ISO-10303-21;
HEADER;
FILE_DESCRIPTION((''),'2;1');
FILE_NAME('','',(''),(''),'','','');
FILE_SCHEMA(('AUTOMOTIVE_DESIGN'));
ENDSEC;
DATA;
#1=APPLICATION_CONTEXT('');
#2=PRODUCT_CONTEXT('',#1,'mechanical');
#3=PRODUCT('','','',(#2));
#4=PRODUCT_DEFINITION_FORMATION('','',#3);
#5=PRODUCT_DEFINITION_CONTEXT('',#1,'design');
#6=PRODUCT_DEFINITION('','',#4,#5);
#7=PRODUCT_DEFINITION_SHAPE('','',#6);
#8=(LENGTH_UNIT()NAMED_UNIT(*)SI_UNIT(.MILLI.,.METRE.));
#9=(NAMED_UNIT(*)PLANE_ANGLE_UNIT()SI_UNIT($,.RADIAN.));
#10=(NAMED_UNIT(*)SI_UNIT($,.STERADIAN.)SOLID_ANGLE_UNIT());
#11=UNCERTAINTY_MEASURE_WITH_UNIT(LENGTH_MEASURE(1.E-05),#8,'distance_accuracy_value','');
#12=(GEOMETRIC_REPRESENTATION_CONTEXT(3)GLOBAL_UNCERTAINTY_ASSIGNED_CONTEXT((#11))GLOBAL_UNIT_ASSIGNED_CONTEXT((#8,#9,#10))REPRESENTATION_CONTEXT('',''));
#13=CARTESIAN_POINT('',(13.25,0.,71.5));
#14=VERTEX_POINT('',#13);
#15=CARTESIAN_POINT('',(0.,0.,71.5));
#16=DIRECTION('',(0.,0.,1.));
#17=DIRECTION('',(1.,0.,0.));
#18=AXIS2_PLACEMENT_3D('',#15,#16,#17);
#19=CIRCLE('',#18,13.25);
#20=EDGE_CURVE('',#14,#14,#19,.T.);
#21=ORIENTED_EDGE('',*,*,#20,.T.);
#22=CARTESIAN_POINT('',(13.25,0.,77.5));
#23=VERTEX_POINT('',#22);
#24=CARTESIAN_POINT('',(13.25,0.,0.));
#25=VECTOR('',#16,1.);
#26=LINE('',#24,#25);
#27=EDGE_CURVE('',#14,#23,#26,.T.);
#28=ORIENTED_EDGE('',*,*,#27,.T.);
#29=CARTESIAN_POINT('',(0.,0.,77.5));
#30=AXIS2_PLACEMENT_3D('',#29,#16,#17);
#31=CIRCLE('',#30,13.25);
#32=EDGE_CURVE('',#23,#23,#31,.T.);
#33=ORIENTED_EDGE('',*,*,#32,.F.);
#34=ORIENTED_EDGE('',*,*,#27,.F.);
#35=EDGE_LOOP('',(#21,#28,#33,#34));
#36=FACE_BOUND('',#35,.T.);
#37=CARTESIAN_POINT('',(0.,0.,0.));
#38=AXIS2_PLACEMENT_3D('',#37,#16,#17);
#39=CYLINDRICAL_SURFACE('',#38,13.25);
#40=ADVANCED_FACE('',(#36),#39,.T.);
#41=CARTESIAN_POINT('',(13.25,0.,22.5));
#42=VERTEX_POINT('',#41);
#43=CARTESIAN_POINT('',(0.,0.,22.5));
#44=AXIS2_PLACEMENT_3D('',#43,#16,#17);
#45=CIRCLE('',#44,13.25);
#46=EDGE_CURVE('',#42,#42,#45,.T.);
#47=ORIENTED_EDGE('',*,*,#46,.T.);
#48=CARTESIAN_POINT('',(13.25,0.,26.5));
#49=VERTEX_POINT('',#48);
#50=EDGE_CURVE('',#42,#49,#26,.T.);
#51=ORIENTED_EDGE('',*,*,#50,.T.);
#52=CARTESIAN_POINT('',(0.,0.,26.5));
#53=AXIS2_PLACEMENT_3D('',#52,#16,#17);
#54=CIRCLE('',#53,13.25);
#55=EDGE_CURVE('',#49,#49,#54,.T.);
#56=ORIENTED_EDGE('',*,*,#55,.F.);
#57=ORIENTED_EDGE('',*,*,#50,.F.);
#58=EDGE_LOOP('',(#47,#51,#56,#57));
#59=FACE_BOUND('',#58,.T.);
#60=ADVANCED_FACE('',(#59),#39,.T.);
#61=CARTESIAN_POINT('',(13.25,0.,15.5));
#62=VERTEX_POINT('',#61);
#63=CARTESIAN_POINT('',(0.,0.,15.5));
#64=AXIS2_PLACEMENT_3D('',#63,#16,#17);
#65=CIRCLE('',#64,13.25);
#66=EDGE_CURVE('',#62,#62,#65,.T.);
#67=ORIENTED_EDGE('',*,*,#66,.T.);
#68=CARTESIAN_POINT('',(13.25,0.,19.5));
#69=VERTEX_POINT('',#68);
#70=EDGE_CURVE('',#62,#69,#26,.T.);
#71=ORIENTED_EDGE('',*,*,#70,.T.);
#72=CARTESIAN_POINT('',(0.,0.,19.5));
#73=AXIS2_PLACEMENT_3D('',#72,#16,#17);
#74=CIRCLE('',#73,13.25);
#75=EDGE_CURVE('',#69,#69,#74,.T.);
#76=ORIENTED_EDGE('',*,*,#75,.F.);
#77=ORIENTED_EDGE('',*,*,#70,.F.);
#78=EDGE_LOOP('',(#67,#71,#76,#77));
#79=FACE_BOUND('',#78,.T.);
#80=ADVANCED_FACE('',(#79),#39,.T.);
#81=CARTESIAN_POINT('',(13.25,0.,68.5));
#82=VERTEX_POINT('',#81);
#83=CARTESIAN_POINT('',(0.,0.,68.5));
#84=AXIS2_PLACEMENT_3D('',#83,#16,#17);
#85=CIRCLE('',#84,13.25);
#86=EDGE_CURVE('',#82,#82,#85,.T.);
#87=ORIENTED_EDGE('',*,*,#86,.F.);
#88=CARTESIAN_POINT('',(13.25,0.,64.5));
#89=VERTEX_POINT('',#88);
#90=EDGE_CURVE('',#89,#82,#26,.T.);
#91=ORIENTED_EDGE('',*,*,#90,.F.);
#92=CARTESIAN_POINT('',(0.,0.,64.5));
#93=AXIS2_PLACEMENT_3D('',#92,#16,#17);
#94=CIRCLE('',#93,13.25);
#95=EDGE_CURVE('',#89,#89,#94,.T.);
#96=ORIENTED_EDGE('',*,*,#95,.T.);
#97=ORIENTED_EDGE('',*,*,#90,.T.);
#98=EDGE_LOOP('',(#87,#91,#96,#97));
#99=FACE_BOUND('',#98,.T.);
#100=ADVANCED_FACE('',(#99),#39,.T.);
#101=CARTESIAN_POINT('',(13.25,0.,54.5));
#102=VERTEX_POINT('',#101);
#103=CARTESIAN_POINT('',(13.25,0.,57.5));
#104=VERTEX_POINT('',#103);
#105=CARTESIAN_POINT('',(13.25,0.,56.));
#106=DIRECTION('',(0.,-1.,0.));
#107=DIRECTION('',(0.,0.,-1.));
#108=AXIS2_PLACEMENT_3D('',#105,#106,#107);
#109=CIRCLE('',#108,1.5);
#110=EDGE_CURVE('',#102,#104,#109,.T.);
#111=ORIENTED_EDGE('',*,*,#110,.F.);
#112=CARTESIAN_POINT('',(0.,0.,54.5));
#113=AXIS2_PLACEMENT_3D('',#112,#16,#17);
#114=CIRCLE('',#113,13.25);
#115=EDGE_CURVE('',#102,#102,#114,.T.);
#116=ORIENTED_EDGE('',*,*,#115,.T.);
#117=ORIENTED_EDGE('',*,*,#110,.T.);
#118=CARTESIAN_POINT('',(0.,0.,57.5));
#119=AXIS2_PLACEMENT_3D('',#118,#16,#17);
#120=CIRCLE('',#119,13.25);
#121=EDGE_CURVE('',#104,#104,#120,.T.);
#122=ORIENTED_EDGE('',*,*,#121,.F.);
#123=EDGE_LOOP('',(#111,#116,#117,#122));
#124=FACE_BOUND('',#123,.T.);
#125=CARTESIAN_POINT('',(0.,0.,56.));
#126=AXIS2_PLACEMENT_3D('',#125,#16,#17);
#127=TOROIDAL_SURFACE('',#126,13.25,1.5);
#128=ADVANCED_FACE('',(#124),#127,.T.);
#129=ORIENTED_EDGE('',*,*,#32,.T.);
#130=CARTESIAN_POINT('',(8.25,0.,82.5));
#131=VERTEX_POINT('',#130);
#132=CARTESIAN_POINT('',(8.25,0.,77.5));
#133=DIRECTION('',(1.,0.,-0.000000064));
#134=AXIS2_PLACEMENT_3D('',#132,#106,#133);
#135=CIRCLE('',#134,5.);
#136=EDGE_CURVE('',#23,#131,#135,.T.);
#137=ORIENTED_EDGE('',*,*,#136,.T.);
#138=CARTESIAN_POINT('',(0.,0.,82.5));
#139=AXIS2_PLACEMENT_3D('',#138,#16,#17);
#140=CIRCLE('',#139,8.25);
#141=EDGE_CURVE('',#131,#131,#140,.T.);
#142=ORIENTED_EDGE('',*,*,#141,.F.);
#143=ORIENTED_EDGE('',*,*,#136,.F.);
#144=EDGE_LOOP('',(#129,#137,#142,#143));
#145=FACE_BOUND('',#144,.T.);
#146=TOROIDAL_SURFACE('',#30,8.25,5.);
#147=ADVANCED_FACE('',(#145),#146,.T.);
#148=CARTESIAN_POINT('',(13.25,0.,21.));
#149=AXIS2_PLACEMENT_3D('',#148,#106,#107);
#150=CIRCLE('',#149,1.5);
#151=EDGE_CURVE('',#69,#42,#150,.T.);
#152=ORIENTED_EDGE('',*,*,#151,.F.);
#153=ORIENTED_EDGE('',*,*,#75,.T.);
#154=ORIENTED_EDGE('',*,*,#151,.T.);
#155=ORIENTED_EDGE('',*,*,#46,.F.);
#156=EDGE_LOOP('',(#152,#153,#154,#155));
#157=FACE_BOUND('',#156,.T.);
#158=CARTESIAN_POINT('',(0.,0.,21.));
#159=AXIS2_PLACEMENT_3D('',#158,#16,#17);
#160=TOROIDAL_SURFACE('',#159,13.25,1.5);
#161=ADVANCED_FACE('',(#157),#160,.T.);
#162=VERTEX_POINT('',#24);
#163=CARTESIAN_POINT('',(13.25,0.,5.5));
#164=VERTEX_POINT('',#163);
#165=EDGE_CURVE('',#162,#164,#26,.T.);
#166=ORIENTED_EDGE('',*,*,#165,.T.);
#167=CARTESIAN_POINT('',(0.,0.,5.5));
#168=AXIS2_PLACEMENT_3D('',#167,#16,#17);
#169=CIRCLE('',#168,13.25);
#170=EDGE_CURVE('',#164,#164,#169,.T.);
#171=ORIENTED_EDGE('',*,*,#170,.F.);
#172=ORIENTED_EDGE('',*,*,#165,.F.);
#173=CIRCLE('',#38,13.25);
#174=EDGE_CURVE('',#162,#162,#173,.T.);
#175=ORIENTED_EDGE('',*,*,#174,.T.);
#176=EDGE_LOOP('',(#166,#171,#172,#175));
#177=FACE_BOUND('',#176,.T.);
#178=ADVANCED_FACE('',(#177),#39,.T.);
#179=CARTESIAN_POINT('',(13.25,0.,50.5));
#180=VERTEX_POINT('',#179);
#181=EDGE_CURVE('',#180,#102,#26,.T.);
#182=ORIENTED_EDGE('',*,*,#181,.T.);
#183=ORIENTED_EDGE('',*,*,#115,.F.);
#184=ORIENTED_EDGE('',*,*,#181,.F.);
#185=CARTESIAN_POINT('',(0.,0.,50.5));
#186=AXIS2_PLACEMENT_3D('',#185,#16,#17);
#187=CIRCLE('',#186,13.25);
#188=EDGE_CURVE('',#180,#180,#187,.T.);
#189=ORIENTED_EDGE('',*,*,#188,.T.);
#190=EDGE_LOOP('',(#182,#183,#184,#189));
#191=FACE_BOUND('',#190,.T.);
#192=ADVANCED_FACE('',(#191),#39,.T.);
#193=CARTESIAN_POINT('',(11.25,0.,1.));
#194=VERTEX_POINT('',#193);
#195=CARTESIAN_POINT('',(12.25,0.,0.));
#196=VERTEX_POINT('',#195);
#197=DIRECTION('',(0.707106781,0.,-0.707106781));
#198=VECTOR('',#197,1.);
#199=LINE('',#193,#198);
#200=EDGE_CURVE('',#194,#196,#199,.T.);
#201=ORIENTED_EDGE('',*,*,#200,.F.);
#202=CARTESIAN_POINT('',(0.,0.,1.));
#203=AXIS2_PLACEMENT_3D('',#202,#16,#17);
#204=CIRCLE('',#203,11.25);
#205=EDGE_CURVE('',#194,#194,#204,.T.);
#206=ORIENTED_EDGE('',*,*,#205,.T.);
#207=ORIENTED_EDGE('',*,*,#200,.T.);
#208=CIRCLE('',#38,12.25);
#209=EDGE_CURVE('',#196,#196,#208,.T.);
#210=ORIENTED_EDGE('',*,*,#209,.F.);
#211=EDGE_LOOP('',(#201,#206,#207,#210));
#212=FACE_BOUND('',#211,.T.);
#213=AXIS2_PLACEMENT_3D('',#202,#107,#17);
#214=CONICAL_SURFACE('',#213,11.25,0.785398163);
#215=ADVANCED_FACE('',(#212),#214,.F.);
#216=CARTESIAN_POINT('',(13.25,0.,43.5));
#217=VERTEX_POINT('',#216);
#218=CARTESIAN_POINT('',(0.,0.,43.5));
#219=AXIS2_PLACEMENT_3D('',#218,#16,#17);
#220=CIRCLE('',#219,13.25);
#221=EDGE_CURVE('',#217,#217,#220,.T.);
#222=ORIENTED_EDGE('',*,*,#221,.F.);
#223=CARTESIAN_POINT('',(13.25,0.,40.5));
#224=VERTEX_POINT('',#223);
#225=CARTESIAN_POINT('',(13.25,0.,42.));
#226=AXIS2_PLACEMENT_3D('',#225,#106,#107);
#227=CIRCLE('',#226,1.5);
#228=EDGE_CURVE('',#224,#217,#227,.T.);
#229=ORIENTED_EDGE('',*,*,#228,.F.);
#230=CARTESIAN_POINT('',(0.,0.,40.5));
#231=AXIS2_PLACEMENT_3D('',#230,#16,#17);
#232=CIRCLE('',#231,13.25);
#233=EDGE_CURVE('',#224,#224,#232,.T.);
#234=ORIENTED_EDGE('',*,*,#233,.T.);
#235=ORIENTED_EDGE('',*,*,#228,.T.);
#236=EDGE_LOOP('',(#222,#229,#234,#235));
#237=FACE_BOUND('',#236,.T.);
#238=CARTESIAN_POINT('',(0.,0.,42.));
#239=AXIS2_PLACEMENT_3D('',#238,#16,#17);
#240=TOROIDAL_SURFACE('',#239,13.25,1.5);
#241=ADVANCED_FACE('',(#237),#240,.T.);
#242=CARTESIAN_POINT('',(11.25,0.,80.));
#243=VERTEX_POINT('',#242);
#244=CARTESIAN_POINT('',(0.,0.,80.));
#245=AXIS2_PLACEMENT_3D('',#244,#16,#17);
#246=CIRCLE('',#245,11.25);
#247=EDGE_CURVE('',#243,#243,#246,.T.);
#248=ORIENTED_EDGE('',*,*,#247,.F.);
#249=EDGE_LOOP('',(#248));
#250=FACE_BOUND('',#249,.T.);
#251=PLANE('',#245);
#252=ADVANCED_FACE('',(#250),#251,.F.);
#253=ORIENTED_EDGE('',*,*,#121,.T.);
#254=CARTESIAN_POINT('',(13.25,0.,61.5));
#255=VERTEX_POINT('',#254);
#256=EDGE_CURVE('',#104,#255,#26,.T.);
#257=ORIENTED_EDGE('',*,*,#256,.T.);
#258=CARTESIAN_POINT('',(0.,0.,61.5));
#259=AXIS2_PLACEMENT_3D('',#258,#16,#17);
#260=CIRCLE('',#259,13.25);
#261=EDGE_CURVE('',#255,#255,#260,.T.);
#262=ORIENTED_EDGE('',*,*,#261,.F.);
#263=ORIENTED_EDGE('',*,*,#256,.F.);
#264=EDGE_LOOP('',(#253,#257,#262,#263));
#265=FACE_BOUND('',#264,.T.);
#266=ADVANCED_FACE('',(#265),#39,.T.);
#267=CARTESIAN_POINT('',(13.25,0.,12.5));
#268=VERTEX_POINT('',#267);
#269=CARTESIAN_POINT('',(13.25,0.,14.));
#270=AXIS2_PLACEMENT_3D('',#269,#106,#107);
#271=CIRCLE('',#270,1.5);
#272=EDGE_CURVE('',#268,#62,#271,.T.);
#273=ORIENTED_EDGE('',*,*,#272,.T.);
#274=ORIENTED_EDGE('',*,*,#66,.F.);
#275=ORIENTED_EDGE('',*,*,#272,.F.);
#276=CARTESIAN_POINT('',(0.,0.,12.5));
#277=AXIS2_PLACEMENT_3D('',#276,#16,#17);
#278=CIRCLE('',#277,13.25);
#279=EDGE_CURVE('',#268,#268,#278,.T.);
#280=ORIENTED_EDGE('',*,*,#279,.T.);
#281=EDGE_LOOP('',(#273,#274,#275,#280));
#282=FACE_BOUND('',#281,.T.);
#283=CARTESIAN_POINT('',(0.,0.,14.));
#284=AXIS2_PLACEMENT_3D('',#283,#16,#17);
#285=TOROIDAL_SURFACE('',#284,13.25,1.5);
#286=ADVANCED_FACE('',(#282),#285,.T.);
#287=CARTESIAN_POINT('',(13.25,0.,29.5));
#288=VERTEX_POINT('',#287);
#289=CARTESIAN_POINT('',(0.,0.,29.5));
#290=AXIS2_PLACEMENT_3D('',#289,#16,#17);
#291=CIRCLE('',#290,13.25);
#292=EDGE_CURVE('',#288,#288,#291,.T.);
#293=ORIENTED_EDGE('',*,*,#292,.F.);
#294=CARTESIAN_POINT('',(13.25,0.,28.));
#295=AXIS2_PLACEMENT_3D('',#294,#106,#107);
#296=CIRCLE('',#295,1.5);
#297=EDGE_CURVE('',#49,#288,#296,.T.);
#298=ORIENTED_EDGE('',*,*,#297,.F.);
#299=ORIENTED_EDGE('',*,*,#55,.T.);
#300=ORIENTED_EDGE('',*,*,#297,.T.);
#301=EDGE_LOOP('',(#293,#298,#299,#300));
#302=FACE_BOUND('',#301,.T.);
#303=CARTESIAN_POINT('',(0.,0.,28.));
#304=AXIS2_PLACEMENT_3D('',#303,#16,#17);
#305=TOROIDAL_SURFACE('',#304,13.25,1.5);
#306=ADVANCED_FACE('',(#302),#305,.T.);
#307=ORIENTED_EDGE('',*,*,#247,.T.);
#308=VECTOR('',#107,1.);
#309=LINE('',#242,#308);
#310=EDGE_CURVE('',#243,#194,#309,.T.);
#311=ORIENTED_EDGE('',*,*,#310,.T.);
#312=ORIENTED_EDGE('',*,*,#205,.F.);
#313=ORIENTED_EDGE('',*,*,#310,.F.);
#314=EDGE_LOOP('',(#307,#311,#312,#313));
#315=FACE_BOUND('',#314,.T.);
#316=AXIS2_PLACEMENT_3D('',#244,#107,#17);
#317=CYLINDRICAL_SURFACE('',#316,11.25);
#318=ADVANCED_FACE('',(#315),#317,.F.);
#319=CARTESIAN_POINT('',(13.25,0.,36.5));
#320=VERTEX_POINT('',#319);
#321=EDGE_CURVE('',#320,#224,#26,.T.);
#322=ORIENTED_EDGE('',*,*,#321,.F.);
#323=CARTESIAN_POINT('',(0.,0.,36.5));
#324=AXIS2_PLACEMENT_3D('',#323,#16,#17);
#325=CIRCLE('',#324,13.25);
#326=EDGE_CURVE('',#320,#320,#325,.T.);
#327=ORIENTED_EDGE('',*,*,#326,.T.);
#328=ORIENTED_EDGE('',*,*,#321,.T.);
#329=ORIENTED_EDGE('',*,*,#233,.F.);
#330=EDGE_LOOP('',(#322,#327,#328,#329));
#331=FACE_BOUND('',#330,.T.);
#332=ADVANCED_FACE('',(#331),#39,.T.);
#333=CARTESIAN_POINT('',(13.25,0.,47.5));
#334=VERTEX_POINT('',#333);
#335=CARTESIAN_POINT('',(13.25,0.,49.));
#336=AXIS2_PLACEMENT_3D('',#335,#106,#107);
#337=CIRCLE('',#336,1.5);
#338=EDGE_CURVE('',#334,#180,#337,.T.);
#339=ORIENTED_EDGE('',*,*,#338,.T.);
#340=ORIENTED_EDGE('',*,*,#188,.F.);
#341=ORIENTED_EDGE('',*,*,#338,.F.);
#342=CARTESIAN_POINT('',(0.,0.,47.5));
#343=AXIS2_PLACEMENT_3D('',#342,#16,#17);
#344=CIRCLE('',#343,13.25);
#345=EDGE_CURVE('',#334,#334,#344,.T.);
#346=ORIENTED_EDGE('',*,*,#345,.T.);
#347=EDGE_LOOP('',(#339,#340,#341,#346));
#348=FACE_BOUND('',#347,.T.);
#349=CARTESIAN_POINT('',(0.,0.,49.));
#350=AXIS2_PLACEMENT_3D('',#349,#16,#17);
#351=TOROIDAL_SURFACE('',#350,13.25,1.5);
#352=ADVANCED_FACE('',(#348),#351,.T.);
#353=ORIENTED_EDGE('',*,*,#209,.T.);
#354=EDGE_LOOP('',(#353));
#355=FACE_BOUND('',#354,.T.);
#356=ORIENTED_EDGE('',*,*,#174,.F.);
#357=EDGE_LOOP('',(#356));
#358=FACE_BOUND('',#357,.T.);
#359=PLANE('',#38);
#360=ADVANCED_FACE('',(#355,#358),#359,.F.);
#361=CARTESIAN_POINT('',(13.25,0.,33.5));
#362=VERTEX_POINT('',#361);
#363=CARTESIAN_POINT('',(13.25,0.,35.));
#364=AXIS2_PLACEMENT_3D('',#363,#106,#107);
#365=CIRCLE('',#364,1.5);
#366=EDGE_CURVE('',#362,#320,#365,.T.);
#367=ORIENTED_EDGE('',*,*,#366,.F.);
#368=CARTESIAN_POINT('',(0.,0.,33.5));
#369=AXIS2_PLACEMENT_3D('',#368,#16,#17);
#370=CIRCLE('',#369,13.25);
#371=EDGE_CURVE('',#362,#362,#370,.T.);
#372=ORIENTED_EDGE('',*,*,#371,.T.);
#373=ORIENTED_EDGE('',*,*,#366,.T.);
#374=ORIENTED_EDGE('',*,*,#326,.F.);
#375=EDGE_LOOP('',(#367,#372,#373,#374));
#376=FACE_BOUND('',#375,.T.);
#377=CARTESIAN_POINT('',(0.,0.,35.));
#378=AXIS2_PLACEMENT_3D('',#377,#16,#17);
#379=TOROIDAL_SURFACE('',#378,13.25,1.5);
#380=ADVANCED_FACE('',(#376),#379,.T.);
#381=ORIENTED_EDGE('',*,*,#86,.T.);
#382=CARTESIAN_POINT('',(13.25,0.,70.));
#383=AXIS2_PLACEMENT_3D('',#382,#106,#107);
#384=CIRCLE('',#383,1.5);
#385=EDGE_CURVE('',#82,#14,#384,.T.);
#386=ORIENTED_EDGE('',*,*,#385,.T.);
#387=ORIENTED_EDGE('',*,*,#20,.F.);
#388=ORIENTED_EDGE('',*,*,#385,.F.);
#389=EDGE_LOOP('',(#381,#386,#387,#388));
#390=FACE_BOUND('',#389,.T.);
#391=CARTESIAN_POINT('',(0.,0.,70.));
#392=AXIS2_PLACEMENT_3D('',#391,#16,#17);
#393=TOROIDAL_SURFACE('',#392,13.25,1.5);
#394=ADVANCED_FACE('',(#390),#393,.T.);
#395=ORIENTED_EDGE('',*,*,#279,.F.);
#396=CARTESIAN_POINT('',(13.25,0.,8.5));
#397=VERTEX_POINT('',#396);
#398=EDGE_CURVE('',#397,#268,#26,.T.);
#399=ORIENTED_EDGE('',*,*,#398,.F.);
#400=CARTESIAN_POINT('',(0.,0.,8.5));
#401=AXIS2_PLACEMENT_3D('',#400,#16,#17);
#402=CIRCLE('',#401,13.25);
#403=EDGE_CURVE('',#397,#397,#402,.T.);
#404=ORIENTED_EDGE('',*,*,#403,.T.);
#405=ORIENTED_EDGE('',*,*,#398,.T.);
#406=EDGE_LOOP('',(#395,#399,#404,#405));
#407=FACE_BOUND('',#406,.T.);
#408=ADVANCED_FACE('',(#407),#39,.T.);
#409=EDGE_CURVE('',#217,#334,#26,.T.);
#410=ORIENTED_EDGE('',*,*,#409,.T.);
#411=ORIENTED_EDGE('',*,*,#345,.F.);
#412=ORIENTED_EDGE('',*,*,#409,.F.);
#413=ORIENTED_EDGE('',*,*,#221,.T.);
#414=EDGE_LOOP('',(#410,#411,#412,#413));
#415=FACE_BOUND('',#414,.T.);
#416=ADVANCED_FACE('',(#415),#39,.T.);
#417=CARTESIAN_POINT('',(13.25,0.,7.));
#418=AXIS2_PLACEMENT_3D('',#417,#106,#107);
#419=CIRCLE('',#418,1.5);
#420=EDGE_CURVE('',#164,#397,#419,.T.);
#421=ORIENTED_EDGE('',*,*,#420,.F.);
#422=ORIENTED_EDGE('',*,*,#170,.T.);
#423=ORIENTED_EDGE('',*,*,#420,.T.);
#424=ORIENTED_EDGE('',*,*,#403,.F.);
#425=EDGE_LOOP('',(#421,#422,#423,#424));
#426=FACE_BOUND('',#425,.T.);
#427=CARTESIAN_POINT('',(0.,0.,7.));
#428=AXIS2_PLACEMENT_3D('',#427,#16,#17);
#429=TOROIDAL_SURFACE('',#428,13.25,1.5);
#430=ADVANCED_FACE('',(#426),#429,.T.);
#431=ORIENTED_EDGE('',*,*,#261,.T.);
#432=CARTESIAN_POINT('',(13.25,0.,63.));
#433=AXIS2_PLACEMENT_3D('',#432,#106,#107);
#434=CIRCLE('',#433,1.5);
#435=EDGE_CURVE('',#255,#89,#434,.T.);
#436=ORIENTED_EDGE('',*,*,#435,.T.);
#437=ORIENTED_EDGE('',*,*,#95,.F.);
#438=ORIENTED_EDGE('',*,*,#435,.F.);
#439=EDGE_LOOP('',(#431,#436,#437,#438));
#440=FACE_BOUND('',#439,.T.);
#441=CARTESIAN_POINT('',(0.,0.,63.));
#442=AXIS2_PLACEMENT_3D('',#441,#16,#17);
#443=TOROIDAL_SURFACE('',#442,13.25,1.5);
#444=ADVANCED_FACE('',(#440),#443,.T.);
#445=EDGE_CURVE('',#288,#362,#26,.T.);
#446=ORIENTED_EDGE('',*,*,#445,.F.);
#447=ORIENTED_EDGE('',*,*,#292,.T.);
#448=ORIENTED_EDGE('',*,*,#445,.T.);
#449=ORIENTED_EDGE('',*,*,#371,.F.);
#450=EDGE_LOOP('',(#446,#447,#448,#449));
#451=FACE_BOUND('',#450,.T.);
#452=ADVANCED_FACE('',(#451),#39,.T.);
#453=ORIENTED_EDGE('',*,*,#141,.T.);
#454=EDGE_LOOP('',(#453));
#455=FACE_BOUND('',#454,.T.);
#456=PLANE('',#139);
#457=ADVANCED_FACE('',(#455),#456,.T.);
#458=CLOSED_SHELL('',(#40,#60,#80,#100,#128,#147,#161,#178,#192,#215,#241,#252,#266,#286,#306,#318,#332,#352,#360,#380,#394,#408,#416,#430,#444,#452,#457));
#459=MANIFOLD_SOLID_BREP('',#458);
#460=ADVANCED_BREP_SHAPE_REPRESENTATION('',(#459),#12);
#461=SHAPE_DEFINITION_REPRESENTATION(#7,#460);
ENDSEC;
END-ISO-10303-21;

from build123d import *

# Parameters (mm, degrees)
F2_SIZE = 1


with BuildPart() as f1:
    # F0 (on Front) → F1 (revolve)
    with BuildSketch(Plane.XZ):
        with BuildLine():
            Line((0, 82.5), (0, 80))
            Line((0, 80), (11.25, 80))
            Line((11.25, 80), (11.25, 0))
            Line((11.25, 0), (13.25, 0))
            Line((13.25, 0), (13.25, 5.5))
            Line((13.25, 5.5), (13.25, 8.5))
            Line((13.25, 8.5), (13.25, 12.5))
            Line((13.25, 12.5), (13.25, 15.5))
            Line((13.25, 15.5), (13.25, 19.5))
            Line((13.25, 19.5), (13.25, 22.5))
            Line((13.25, 22.5), (13.25, 26.5))
            Line((13.25, 26.5), (13.25, 29.5))
            Line((13.25, 29.5), (13.25, 33.5))
            Line((13.25, 33.5), (13.25, 36.5))
            Line((13.25, 36.5), (13.25, 40.5))
            Line((13.25, 40.5), (13.25, 43.5))
            Line((13.25, 43.5), (13.25, 47.5))
            Line((13.25, 47.5), (13.25, 50.5))
            Line((13.25, 50.5), (13.25, 54.5))
            Line((13.25, 54.5), (13.25, 57.5))
            Line((13.25, 57.5), (13.25, 61.5))
            Line((13.25, 61.5), (13.25, 64.5))
            Line((13.25, 64.5), (13.25, 68.5))
            Line((13.25, 68.5), (13.25, 71.5))
            Line((13.25, 71.5), (13.25, 77.5))
            ThreePointArc((13.25, 77.5), (11.785534, 81.035534), (8.25, 82.5))
            Line((8.25, 82.5), (0, 82.5))
        make_face()
        with BuildLine():
            ThreePointArc((13.25, 68.5), (14.75, 70), (13.25, 71.5))
            Line((13.25, 71.5), (13.25, 68.5))
        make_face()
        with BuildLine():
            Line((13.25, 8.5), (13.25, 5.5))
            ThreePointArc((13.25, 5.5), (14.75, 7), (13.25, 8.5))
        make_face()
        with BuildLine():
            ThreePointArc((13.25, 61.5), (14.75, 63), (13.25, 64.5))
            Line((13.25, 64.5), (13.25, 61.5))
        make_face()
        with BuildLine():
            Line((13.25, 15.5), (13.25, 12.5))
            ThreePointArc((13.25, 12.5), (14.75, 14), (13.25, 15.5))
        make_face()
        with BuildLine():
            ThreePointArc((13.25, 54.5), (14.75, 56), (13.25, 57.5))
            Line((13.25, 57.5), (13.25, 54.5))
        make_face()
        with BuildLine():
            Line((13.25, 22.5), (13.25, 19.5))
            ThreePointArc((13.25, 19.5), (14.75, 21), (13.25, 22.5))
        make_face()
        with BuildLine():
            ThreePointArc((13.25, 47.5), (14.75, 49), (13.25, 50.5))
            Line((13.25, 50.5), (13.25, 47.5))
        make_face()
        with BuildLine():
            Line((13.25, 29.5), (13.25, 26.5))
            ThreePointArc((13.25, 26.5), (14.75, 28), (13.25, 29.5))
        make_face()
        with BuildLine():
            ThreePointArc((13.25, 40.5), (14.75, 42), (13.25, 43.5))
            Line((13.25, 43.5), (13.25, 40.5))
        make_face()
        with BuildLine():
            Line((13.25, 36.5), (13.25, 33.5))
            ThreePointArc((13.25, 33.5), (14.75, 35), (13.25, 36.5))
        make_face()
    revolve(axis=Axis((0, 0, 41.25), (0, 0, 1)))

    # F2
    f2_edges = [f1.edges().sort_by_distance(p)[0] for p in [
        (-11.25, 0, 0),
    ]]
    chamfer(f2_edges, length=F2_SIZE)


solid = f1.part
